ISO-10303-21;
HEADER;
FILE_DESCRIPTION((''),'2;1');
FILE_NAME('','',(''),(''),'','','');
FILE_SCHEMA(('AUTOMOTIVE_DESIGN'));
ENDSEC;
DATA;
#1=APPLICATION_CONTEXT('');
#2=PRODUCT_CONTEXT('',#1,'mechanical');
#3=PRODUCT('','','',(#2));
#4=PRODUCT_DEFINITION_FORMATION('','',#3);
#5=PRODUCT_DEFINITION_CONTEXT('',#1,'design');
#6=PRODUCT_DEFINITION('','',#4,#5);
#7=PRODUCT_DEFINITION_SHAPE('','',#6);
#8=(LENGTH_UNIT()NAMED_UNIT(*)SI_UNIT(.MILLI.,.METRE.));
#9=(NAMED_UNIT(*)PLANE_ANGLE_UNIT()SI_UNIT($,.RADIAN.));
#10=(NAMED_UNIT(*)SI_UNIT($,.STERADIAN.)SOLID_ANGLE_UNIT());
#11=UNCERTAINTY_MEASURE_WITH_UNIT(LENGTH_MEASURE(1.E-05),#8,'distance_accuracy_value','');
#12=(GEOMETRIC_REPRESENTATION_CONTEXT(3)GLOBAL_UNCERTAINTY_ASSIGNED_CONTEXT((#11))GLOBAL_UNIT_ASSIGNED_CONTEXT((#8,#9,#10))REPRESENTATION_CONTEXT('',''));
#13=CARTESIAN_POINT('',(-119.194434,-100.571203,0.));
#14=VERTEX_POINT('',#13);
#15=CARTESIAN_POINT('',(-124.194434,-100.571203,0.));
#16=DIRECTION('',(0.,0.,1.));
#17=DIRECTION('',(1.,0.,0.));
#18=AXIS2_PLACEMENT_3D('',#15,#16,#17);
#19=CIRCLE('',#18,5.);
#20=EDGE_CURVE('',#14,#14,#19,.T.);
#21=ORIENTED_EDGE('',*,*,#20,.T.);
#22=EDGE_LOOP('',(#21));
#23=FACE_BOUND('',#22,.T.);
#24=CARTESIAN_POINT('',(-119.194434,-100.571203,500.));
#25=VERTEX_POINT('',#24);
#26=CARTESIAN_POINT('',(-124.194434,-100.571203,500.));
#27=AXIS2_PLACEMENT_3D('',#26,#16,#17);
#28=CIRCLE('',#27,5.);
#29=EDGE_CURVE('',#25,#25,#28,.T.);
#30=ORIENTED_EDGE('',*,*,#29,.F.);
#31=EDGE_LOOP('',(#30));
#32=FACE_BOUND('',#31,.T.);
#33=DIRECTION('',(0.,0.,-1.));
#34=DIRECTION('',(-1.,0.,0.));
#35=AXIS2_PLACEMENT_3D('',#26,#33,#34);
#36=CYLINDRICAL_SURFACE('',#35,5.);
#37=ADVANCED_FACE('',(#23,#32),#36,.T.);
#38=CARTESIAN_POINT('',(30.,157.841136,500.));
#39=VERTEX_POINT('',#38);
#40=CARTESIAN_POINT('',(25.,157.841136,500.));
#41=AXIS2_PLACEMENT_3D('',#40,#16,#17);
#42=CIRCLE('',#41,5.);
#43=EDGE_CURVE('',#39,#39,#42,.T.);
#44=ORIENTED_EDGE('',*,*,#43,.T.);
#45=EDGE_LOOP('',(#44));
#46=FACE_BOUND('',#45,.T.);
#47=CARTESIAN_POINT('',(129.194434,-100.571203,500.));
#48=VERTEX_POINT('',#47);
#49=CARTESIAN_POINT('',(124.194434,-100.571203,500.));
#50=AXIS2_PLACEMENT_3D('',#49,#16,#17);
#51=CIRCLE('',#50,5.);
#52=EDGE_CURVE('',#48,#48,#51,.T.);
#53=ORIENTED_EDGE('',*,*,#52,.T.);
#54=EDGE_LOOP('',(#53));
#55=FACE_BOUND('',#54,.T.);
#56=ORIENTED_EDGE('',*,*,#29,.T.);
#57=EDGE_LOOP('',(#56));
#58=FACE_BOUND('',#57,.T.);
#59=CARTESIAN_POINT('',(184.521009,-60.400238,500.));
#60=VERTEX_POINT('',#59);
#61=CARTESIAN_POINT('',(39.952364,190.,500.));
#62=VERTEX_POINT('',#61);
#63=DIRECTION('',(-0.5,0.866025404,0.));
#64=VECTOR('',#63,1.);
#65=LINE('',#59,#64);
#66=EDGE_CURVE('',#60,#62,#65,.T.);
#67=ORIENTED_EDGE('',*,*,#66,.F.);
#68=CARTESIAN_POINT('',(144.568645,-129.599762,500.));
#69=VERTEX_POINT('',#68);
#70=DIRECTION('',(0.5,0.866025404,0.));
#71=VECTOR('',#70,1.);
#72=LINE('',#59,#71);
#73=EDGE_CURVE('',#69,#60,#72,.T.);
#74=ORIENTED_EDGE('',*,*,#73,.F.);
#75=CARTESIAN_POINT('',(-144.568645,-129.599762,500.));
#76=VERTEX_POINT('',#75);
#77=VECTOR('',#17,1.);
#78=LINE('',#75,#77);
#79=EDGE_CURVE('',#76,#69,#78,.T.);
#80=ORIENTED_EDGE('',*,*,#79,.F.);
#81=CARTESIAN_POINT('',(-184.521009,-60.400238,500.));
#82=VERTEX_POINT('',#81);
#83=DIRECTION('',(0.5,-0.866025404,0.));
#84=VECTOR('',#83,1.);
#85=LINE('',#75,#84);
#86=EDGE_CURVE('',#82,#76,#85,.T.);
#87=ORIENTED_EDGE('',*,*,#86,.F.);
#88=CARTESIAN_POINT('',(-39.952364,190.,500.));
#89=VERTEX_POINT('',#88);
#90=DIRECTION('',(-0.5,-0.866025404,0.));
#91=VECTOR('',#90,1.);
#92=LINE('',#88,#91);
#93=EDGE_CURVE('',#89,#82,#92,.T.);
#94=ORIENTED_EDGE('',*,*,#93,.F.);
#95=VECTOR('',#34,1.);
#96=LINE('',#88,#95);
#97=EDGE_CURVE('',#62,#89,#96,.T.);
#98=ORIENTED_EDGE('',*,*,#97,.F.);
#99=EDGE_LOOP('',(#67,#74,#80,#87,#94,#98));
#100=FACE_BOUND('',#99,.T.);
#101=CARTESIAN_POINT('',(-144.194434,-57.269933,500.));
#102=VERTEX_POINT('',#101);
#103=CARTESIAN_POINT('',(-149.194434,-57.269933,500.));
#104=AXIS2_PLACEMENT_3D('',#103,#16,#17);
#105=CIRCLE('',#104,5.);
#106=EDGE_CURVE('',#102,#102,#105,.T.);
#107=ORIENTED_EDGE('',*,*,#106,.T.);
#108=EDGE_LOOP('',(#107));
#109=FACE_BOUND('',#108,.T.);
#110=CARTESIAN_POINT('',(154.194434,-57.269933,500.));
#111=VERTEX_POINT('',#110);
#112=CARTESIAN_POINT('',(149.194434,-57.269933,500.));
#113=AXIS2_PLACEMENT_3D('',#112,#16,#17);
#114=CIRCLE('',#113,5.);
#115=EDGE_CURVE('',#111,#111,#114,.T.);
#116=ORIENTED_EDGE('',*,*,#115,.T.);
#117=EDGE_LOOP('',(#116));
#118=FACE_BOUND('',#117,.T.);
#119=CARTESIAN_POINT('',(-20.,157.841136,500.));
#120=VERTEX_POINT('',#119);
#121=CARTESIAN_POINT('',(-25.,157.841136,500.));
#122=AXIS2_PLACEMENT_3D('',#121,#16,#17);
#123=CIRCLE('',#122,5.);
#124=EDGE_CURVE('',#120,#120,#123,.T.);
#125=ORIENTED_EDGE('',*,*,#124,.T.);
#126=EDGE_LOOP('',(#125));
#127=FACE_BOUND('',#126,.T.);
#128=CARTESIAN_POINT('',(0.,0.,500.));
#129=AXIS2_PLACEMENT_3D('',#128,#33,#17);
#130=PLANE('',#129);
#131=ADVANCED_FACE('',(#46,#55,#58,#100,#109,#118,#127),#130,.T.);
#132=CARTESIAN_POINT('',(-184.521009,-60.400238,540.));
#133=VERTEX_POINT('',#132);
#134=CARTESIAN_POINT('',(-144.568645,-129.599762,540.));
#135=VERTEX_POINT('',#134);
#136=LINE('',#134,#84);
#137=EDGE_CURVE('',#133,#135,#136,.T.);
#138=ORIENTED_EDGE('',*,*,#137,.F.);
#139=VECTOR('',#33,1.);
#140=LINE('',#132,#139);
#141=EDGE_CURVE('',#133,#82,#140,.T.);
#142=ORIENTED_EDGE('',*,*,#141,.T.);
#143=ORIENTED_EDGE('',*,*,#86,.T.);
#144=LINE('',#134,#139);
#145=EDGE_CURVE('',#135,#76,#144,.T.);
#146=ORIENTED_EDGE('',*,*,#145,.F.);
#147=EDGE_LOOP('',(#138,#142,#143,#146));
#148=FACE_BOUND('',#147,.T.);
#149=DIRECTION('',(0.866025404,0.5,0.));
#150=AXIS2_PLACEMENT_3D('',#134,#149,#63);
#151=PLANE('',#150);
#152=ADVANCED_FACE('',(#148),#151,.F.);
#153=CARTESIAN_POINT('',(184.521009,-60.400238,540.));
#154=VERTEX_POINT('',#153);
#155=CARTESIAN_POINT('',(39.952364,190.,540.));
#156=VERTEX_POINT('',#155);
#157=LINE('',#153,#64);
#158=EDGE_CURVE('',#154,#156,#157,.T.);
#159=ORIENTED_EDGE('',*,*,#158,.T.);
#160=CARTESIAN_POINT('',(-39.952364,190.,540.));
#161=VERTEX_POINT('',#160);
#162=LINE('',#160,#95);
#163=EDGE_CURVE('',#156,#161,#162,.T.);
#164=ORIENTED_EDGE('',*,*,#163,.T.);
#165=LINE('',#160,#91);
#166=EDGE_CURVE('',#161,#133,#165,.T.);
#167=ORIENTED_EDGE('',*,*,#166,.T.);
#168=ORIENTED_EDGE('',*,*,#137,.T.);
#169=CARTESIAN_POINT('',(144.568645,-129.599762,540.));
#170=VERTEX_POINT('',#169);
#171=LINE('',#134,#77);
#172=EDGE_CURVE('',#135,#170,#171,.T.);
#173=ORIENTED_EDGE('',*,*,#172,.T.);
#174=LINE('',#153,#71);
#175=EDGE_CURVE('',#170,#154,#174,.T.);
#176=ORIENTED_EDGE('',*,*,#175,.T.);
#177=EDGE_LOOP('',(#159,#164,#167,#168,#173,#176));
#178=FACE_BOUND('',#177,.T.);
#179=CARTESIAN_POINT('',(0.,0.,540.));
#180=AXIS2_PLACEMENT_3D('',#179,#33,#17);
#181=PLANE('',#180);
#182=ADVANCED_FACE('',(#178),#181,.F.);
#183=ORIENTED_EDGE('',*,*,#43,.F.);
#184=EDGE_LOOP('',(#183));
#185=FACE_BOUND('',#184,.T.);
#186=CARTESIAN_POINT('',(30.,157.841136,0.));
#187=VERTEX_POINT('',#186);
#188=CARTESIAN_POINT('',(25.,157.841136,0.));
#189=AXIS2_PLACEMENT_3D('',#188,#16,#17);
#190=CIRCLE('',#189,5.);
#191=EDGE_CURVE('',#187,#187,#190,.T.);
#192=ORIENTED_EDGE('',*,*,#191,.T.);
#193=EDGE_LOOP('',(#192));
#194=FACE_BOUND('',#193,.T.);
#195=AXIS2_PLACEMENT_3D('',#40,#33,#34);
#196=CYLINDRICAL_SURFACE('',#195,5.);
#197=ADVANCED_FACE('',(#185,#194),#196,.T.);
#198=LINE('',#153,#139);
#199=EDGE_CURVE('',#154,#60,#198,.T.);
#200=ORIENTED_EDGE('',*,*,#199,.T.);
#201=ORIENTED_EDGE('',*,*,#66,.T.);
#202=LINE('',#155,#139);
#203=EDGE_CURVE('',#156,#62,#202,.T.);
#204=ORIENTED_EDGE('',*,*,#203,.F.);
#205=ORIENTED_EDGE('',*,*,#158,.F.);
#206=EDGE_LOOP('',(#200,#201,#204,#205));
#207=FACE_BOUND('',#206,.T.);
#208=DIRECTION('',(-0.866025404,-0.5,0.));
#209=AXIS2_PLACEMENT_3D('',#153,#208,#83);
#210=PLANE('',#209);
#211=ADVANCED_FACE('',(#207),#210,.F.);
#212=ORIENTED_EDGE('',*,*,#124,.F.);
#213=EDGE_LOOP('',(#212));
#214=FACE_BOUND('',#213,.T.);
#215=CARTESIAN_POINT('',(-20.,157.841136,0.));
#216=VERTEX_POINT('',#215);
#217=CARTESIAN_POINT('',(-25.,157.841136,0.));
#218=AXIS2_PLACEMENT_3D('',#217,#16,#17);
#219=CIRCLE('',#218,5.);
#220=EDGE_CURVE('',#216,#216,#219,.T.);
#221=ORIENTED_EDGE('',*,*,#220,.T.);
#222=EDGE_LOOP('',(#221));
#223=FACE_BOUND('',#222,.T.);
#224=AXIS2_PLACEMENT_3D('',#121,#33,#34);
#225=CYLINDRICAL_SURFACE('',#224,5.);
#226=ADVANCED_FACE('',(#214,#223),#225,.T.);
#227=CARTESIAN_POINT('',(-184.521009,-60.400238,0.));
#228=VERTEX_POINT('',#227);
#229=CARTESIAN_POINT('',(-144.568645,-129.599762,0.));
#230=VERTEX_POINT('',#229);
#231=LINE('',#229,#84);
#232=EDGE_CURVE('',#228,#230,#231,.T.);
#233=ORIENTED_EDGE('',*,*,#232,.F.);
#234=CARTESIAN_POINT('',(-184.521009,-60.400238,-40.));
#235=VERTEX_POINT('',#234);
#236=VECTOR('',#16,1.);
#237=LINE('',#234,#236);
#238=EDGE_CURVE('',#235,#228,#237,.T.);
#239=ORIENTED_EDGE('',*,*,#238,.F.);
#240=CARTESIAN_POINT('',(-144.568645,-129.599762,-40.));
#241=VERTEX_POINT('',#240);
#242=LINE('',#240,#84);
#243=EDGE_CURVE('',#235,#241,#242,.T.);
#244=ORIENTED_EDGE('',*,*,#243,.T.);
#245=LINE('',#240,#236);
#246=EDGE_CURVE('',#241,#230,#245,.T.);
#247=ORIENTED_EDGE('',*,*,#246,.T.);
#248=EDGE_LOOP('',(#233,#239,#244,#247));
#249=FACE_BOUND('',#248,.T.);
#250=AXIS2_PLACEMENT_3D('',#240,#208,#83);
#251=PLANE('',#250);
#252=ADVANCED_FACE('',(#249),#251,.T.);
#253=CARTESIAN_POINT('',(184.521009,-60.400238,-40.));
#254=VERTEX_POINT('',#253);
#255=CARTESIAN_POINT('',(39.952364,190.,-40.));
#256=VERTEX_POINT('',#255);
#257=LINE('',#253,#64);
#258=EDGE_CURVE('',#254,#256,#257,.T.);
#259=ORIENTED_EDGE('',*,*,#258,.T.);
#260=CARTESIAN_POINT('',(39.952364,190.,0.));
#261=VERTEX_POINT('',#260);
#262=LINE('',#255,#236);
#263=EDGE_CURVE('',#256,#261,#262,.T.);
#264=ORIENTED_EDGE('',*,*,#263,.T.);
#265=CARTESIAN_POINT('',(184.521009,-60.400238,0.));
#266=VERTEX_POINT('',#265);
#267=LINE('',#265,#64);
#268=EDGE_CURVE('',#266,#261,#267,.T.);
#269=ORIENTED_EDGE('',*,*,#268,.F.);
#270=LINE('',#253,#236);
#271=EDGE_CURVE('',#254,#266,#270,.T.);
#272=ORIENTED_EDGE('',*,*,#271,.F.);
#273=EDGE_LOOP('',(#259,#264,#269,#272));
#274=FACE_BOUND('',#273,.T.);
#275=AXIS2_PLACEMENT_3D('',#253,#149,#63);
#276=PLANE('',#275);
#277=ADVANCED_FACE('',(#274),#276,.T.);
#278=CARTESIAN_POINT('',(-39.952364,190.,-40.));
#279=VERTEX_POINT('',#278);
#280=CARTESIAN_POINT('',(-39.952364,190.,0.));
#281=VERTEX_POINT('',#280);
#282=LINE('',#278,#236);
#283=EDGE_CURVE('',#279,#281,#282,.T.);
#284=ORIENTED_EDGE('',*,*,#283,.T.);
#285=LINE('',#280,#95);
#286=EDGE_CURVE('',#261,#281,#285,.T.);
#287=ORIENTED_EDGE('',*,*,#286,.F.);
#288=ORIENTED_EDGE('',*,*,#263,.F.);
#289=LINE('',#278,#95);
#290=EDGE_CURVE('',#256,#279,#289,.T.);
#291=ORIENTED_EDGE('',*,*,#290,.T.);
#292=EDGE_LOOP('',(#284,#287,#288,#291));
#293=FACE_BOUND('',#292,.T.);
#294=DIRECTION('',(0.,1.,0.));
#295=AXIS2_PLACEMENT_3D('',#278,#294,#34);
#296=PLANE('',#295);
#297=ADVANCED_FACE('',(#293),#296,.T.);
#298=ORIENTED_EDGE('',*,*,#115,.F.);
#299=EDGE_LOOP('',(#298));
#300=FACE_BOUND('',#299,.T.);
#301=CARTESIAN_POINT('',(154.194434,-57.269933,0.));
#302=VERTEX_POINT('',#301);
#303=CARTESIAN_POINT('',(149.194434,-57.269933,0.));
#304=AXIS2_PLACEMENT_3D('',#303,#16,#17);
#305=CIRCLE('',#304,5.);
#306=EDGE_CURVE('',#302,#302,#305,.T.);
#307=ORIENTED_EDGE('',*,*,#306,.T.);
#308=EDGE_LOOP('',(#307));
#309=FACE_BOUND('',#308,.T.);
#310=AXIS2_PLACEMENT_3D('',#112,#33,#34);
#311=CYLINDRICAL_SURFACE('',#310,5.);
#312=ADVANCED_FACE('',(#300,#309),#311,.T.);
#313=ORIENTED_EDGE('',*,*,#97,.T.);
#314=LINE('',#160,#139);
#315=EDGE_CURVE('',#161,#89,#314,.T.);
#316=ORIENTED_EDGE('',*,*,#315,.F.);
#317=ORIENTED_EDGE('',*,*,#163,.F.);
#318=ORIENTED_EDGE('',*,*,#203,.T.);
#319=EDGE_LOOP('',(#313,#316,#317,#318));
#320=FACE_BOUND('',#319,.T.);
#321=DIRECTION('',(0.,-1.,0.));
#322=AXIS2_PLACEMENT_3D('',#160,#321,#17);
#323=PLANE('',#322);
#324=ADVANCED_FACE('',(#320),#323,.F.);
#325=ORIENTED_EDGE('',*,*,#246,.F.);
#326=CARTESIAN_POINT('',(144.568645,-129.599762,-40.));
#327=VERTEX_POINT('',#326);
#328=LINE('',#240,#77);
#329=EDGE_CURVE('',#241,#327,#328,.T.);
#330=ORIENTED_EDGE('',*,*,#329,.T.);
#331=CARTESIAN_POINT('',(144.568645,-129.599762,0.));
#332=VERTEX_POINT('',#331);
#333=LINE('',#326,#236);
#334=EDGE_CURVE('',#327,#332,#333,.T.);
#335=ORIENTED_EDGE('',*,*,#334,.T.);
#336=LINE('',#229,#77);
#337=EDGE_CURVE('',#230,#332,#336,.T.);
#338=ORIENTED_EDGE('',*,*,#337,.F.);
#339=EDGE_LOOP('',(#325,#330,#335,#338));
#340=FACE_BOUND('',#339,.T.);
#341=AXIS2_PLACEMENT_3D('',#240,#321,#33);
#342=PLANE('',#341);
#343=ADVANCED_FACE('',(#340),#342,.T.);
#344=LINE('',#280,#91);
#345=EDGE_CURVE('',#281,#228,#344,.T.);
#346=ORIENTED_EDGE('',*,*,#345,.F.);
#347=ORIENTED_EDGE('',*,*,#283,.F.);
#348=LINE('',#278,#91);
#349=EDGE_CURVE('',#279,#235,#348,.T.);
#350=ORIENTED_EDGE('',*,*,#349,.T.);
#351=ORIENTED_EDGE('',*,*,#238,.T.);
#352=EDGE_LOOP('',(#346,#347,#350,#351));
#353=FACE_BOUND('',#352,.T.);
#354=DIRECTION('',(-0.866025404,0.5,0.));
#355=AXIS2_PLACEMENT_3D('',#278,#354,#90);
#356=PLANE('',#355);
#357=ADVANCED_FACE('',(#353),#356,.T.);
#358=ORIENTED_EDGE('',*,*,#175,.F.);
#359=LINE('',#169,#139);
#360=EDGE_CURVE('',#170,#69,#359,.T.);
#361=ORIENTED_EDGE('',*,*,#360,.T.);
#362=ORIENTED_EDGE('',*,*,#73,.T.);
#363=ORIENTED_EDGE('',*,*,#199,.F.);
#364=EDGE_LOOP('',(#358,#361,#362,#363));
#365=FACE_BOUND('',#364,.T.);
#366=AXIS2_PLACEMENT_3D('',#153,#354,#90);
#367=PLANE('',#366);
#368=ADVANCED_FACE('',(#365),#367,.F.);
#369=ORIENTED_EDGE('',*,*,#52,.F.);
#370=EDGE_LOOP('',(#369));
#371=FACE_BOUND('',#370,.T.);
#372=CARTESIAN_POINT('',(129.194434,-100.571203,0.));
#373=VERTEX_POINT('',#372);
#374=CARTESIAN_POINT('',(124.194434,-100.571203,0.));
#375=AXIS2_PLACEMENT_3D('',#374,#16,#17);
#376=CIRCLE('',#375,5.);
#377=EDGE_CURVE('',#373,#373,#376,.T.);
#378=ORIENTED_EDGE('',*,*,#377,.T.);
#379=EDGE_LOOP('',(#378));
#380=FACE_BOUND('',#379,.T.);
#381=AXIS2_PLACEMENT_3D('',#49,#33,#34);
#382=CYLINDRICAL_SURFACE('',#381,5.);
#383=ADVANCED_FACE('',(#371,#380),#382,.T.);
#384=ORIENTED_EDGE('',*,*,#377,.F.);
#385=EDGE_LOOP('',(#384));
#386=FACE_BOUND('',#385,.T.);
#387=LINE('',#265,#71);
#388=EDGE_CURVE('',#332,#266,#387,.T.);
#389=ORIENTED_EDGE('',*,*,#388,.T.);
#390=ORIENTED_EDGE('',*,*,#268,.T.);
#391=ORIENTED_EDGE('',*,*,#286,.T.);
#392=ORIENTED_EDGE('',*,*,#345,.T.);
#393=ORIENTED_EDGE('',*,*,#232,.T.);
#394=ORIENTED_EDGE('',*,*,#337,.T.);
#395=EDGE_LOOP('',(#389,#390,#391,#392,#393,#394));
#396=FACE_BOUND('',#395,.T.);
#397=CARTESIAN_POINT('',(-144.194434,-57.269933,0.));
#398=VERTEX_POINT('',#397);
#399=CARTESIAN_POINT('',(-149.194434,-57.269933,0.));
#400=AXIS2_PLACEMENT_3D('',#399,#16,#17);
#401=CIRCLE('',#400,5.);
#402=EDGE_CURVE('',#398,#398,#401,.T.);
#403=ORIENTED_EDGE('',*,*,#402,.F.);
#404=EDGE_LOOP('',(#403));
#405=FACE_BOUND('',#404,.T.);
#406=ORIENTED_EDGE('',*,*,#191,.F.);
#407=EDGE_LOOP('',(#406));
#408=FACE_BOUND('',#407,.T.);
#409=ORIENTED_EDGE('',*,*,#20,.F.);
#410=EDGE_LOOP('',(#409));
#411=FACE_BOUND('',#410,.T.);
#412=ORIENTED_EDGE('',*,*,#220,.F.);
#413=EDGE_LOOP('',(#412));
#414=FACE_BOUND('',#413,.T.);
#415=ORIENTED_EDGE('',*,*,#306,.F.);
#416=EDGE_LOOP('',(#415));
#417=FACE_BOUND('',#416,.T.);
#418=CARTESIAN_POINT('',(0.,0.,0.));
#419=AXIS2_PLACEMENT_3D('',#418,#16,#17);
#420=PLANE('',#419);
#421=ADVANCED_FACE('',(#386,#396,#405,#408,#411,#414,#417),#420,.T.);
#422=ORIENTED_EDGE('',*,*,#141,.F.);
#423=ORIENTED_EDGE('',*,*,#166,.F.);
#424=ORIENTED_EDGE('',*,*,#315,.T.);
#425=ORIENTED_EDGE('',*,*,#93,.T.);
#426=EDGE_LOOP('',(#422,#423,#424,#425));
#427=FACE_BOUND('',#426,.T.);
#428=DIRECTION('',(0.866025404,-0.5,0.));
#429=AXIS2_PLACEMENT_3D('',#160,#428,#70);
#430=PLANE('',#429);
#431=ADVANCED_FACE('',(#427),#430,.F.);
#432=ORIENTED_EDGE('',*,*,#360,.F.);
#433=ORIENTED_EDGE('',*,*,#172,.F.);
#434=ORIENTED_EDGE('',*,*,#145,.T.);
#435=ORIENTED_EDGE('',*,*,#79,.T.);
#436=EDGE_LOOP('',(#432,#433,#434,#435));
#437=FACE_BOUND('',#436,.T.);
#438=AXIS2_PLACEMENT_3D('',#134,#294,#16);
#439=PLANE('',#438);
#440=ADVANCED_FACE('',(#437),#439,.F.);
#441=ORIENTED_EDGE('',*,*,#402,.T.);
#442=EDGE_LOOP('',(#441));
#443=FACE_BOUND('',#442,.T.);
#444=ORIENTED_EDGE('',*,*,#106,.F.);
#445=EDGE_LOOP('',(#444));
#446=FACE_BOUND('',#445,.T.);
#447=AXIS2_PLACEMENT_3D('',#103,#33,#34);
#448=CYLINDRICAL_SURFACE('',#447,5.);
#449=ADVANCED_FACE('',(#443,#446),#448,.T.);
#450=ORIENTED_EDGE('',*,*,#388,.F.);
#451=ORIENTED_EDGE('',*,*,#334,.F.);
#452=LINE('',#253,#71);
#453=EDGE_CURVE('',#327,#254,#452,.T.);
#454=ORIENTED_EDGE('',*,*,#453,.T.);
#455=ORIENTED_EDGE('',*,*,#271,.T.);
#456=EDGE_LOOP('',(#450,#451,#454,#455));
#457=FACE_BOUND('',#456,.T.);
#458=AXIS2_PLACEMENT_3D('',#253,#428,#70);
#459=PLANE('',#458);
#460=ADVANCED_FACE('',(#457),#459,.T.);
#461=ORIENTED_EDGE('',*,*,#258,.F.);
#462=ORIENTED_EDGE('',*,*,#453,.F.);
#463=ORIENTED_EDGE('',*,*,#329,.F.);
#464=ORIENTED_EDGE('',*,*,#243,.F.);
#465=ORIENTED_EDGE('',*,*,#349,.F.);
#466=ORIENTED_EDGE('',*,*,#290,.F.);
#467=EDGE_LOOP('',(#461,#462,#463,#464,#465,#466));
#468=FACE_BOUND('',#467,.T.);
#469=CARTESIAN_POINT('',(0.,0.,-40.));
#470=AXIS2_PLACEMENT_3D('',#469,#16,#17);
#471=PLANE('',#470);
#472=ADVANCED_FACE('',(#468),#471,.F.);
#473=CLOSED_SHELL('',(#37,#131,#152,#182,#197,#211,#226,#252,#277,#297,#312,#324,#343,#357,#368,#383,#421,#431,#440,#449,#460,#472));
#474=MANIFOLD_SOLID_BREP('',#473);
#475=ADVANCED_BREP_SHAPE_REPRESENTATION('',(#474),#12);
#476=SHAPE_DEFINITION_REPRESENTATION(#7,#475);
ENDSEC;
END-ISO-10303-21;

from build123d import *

# Parameters (mm, degrees)
BOSS_EXTRUDE1_DEPTH = 40
SKETCH2_R           = 5
BOSS_EXTRUDE2_DEPTH = 500


with BuildPart() as part:
    # Sketch1 → Boss-Extrude1 (new body)
    with BuildSketch(Plane.XY):
        Polygon((184.521008641, -60.40023797), (39.952363844, 190), (-39.952363844, 190), (-184.521008641, -60.40023797), (-144.568644797, -129.59976203), (144.568644797, -129.59976203), align=None)
    boss_extrude1 = extrude(amount=-BOSS_EXTRUDE1_DEPTH)

    # Sketch2 → Boss-Extrude2 (add)
    with BuildSketch(Plane.XY):
        with Locations((25, 157.841136245)):
            Circle(SKETCH2_R)
        with Locations((-25, 157.841136245)):
            Circle(SKETCH2_R)
        with Locations((124.19443375, -100.571203217)):
            Circle(SKETCH2_R)
        with Locations((149.19443375, -57.269933028)):
            Circle(SKETCH2_R)
        with Locations((-149.19443375, -57.269933028)):
            Circle(SKETCH2_R)
        with Locations((-124.19443375, -100.571203217)):
            Circle(SKETCH2_R)
    extrude(amount=BOSS_EXTRUDE2_DEPTH)

    # Mirror1: Boss-Extrude1 across plane
    add(boss_extrude1.mirror(Plane.XY.offset(250)))


solid = part.part
